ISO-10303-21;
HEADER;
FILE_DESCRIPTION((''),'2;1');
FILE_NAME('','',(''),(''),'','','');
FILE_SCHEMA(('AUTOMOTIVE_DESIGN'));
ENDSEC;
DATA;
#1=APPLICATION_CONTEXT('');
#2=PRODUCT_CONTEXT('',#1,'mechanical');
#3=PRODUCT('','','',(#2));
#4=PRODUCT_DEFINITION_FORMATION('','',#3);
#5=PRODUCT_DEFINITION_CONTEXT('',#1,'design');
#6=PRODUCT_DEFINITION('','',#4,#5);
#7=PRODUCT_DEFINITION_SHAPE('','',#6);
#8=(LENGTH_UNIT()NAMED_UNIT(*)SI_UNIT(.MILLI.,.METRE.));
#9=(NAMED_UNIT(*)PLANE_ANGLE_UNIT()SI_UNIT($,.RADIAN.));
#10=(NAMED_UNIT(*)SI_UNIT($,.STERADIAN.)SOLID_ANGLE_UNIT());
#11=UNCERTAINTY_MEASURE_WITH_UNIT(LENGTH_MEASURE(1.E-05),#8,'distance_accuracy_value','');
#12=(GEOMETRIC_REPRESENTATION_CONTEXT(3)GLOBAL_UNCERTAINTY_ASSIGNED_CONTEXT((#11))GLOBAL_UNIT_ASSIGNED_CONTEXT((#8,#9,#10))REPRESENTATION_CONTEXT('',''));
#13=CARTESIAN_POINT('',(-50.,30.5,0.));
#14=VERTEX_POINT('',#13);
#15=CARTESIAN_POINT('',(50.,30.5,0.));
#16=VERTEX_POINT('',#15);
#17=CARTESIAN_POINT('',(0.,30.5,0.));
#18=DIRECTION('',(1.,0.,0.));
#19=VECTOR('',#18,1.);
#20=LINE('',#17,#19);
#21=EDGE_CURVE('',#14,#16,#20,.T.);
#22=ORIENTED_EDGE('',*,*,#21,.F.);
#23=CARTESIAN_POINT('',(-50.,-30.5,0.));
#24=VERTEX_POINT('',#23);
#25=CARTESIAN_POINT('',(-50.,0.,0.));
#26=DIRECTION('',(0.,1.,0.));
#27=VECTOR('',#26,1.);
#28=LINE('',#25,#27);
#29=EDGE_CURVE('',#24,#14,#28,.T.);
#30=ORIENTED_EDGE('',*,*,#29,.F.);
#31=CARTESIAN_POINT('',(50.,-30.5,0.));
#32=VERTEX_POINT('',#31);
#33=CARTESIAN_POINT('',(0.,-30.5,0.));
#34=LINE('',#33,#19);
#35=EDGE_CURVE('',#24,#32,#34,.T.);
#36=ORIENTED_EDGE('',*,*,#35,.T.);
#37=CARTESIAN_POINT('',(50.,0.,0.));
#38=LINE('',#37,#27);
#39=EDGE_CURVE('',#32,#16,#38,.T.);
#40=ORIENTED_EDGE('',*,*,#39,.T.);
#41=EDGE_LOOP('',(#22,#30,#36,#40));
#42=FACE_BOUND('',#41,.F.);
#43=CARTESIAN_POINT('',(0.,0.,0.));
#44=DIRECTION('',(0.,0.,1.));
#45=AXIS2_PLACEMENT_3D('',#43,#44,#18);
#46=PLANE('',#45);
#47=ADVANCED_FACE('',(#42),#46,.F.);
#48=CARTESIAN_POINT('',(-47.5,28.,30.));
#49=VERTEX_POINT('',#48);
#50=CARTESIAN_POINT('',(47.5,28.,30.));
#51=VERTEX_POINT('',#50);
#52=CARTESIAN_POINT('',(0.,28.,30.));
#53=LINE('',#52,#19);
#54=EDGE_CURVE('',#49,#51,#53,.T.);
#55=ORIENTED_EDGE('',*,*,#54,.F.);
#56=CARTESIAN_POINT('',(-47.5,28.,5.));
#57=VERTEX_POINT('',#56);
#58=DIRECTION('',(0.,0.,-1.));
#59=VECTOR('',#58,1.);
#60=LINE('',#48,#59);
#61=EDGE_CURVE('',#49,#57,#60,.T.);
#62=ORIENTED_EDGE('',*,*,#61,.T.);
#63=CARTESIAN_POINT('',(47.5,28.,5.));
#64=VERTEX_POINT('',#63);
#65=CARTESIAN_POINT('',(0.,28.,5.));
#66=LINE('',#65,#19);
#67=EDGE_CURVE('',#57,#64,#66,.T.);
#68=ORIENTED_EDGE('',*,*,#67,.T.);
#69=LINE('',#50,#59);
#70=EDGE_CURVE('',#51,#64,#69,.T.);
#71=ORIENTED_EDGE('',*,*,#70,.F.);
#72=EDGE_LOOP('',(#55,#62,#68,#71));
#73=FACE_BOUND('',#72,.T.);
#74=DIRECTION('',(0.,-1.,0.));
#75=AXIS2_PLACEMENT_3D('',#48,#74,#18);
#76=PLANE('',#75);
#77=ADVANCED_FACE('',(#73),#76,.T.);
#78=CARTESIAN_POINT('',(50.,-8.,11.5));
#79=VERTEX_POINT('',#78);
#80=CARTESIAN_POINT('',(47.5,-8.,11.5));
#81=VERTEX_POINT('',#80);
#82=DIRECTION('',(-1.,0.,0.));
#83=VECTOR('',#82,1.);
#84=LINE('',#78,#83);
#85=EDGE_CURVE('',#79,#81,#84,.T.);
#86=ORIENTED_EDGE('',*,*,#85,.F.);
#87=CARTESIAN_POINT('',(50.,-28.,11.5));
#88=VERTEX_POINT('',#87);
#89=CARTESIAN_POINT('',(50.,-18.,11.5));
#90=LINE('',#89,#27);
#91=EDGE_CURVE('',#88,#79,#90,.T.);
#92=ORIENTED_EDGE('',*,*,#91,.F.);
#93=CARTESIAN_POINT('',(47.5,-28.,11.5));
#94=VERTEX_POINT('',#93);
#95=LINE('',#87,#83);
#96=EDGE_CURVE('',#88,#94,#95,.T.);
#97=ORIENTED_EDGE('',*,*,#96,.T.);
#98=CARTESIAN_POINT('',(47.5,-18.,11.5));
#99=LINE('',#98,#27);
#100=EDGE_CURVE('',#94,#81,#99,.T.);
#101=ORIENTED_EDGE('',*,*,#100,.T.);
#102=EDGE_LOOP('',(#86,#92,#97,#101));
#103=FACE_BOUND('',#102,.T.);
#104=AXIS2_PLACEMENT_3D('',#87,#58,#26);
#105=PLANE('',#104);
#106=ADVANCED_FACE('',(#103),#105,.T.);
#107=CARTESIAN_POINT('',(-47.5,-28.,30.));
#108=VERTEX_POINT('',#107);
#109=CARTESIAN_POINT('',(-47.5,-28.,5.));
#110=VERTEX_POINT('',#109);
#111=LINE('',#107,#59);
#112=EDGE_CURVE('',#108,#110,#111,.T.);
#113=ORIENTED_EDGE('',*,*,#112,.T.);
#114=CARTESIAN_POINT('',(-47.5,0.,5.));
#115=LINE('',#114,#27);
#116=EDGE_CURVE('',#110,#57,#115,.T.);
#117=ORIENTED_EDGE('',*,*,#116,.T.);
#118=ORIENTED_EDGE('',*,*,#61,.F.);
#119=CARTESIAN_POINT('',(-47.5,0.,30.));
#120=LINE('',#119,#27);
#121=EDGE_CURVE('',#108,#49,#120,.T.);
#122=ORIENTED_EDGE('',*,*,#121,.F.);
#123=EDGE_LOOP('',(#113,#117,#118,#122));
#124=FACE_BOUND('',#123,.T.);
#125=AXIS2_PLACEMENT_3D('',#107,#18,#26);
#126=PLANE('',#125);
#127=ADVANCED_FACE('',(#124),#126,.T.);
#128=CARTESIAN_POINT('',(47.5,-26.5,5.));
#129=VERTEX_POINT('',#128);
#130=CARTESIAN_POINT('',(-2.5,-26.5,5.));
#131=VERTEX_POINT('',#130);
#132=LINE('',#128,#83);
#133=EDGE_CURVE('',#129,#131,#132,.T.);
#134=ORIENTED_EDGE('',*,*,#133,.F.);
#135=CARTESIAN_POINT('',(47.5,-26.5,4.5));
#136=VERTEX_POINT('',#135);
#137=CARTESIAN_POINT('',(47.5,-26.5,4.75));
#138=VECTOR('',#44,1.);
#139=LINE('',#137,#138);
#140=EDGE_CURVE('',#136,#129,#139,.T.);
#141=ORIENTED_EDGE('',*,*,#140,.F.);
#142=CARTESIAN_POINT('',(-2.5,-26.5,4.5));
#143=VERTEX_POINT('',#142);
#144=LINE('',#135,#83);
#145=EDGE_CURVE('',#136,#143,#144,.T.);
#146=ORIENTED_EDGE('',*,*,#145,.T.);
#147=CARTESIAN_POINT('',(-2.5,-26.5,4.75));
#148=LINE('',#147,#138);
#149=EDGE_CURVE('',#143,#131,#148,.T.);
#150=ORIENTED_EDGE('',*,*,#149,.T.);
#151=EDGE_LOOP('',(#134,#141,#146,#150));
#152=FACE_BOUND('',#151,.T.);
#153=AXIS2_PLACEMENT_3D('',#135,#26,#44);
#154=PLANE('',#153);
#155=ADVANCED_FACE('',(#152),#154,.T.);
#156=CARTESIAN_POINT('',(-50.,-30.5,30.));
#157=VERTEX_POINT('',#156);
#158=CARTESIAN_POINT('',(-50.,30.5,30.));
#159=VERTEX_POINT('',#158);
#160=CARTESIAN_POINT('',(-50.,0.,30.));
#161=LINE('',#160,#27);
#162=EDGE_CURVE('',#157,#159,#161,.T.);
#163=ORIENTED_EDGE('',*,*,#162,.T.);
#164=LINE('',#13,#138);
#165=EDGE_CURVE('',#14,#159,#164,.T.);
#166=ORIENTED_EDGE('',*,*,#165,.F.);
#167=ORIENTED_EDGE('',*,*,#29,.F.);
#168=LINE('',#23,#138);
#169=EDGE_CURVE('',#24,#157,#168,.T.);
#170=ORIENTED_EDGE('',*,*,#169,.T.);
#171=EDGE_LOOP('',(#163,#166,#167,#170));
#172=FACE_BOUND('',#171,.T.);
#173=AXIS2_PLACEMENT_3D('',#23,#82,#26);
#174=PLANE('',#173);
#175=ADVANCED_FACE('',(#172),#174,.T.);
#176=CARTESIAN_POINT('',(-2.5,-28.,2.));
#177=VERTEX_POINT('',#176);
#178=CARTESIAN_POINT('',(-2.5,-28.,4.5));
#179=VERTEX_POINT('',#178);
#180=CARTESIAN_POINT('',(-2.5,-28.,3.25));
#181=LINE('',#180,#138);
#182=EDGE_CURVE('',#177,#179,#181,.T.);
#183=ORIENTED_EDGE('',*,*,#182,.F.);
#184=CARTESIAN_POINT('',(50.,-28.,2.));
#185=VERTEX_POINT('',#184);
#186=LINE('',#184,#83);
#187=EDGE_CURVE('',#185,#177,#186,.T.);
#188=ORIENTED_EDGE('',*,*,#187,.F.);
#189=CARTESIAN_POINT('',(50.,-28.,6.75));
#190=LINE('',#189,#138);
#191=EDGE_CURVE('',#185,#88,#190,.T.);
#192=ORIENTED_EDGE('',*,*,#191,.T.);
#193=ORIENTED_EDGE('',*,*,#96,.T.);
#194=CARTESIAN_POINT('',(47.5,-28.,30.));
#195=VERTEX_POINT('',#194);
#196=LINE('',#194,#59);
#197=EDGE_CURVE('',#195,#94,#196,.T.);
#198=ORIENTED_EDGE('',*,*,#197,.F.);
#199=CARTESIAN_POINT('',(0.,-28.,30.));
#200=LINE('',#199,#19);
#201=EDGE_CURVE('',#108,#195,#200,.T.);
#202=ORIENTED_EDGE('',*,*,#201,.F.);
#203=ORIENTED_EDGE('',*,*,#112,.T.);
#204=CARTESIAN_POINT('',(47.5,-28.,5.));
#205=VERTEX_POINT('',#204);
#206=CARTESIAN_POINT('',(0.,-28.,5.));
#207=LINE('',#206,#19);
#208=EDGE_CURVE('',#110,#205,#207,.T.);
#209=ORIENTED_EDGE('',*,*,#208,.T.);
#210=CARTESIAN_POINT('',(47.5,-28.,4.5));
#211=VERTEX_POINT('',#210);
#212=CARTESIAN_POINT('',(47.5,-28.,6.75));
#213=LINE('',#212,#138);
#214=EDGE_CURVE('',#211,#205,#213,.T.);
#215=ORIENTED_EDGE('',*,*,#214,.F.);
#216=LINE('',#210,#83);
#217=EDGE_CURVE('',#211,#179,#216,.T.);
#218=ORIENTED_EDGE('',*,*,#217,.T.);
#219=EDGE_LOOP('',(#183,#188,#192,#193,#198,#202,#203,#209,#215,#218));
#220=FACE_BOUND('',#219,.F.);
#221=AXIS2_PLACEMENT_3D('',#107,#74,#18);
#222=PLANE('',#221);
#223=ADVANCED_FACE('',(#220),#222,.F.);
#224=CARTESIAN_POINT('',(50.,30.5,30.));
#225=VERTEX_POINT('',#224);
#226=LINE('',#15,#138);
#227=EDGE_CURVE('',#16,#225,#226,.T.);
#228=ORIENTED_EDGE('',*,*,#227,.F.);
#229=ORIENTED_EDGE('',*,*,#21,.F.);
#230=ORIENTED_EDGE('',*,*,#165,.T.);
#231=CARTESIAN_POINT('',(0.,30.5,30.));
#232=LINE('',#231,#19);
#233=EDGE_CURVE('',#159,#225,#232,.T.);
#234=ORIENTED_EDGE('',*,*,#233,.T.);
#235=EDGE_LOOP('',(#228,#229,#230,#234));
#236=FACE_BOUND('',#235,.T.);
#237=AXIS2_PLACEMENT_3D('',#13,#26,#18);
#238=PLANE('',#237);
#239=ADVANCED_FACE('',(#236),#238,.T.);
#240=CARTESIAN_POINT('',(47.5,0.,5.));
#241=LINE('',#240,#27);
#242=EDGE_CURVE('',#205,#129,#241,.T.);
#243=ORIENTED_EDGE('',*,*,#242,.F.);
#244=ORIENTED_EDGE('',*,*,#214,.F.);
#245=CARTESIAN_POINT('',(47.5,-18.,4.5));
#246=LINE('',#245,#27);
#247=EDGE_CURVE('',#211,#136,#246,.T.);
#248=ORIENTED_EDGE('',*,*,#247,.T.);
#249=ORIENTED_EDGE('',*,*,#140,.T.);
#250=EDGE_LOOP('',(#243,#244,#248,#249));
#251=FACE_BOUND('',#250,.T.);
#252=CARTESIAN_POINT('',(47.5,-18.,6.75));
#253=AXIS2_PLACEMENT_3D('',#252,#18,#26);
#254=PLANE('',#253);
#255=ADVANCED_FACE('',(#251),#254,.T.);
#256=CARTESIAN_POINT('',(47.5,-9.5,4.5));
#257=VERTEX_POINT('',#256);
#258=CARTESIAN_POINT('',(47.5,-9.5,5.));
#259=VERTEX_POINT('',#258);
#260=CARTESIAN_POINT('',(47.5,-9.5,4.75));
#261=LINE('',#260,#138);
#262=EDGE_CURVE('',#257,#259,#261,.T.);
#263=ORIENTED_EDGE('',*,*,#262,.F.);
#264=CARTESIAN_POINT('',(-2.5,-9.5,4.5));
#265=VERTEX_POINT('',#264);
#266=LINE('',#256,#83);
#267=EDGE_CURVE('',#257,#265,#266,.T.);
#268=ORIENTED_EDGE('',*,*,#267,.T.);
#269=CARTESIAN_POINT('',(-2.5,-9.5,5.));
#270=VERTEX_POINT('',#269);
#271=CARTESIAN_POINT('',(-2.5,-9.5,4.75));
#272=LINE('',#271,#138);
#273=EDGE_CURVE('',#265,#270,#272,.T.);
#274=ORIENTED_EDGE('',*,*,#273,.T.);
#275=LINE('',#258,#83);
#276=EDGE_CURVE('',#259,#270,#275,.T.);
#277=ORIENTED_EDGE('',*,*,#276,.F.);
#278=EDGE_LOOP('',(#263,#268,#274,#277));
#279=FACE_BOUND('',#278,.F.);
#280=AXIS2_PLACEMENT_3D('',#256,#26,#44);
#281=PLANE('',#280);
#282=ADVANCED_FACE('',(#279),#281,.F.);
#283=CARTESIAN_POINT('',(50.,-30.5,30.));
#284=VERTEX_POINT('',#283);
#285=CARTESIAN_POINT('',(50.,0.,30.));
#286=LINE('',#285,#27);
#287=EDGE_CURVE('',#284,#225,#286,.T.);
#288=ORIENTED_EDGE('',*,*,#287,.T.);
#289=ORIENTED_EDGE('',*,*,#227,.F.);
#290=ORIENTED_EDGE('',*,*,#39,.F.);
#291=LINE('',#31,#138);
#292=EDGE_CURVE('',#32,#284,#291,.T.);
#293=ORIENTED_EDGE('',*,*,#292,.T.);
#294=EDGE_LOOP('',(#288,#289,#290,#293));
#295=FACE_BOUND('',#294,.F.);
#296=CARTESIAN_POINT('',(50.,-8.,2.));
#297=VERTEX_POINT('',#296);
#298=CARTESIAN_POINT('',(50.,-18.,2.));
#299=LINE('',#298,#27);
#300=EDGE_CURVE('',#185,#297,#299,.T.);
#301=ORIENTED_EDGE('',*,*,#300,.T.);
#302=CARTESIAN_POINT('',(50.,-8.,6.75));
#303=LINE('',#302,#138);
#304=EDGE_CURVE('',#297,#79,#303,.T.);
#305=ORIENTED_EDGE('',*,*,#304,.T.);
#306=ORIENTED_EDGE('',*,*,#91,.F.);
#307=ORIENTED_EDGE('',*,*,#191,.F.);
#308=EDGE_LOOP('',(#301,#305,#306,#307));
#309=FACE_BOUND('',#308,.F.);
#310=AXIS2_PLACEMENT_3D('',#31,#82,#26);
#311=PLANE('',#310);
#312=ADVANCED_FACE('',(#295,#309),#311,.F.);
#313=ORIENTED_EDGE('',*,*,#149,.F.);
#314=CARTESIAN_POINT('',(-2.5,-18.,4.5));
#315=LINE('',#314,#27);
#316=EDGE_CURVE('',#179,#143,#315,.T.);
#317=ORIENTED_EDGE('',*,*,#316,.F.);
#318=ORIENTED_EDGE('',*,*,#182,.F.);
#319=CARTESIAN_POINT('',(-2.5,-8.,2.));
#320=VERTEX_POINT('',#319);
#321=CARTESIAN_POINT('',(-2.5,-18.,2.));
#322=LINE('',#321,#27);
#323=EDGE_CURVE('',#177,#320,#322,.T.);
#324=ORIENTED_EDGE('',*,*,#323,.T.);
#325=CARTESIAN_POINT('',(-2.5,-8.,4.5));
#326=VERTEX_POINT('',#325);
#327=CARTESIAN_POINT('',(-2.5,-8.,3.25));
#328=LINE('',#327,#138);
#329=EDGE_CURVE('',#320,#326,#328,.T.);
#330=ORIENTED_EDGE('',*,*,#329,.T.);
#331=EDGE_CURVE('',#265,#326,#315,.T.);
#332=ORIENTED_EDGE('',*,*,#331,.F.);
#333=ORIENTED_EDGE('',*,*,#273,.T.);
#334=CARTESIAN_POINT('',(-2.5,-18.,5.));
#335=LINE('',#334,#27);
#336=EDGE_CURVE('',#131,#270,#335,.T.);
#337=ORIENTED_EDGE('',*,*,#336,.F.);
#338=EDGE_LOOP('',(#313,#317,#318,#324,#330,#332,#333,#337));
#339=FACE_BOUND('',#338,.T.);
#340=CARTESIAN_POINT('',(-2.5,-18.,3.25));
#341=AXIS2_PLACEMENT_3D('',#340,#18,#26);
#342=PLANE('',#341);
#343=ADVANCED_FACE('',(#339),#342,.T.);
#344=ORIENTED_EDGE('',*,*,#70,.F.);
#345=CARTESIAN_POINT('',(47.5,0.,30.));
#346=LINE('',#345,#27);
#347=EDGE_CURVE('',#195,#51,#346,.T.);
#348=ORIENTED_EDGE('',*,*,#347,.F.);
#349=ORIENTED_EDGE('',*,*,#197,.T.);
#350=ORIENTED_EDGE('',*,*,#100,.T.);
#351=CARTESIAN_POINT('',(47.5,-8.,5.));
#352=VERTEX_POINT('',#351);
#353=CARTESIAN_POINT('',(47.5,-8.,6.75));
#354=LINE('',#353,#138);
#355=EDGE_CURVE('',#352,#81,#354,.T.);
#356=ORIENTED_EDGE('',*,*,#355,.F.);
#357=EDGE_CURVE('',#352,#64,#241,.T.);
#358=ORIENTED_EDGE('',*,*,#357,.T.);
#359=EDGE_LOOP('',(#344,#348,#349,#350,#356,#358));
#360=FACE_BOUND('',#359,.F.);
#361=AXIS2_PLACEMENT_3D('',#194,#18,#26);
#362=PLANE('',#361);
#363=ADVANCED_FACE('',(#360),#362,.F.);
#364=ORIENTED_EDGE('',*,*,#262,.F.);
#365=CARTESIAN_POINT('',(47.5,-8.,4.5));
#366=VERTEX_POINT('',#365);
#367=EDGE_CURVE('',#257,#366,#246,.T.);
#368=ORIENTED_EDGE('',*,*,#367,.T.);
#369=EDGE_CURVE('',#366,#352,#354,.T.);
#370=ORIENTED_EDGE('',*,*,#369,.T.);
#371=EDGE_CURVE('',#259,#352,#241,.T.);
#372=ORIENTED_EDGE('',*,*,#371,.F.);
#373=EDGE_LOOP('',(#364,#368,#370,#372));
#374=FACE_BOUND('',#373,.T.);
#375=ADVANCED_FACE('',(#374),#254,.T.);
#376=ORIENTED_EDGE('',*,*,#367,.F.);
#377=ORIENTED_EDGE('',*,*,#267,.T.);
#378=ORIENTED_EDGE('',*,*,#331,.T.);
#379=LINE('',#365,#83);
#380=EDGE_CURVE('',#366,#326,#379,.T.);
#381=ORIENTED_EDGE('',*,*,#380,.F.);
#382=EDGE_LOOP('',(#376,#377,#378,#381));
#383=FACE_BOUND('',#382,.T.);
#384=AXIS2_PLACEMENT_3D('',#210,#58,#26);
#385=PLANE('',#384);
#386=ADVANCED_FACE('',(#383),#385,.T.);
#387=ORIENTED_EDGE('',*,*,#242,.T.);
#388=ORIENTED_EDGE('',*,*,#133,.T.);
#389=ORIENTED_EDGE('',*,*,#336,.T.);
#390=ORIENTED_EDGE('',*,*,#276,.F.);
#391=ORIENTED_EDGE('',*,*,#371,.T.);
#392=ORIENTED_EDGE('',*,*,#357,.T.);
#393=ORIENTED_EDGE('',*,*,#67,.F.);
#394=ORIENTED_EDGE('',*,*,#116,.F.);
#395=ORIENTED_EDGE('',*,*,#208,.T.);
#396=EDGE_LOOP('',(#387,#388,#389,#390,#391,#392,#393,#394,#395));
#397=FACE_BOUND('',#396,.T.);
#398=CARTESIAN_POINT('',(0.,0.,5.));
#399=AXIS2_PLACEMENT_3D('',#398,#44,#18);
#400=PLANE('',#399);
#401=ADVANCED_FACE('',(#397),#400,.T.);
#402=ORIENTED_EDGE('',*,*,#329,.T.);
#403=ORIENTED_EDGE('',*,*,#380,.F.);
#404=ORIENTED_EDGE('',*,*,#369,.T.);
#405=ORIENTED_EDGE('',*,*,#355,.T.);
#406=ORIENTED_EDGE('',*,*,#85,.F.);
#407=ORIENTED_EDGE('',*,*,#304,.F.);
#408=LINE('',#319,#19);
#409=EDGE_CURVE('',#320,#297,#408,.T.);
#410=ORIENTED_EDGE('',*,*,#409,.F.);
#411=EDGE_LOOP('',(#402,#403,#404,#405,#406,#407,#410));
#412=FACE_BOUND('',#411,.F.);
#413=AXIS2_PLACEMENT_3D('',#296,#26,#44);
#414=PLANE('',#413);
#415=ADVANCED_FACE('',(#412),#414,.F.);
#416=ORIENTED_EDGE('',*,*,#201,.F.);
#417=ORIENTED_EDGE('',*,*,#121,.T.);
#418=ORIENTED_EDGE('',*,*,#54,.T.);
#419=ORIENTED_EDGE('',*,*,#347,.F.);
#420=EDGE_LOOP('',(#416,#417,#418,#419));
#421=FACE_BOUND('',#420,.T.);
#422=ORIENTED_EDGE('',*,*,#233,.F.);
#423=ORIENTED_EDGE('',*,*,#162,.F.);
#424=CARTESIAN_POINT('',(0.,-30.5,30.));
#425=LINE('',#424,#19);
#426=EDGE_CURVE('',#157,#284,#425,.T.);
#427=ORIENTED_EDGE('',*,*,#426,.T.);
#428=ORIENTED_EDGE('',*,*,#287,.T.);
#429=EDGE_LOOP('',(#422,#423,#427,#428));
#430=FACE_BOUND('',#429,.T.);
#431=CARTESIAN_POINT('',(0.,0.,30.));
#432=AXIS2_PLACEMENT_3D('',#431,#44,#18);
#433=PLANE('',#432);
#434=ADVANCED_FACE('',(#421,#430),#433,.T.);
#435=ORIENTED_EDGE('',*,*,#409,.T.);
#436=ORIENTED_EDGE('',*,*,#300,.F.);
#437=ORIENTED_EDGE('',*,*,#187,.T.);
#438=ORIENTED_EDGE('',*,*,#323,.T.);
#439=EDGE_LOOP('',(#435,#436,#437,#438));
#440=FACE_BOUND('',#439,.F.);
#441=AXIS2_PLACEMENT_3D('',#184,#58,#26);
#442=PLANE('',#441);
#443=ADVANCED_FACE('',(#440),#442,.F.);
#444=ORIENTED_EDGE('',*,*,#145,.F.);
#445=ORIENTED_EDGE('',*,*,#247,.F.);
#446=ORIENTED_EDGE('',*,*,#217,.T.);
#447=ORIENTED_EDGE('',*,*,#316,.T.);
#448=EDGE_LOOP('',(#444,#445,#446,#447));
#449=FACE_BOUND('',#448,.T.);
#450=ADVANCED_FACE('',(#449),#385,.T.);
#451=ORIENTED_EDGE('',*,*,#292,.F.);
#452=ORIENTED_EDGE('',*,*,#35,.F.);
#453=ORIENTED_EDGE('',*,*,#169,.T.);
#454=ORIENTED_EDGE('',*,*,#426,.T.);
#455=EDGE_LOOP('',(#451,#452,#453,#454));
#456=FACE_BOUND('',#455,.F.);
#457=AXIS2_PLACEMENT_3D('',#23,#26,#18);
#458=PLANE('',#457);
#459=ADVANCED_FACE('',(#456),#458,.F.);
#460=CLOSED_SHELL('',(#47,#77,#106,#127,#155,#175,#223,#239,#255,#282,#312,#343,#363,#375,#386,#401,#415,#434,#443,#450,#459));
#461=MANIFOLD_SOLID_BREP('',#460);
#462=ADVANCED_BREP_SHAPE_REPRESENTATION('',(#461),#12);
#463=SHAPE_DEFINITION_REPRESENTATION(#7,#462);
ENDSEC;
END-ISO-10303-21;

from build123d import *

# Parameters (mm, degrees)
SKETCH022_W     = 100
SKETCH022_H     = 61
PAD013_DEPTH    = 30
SKETCH023_W     = 95
SKETCH023_H     = 56
POCKET004_DEPTH = 25
SKETCH024_W     = 20
SKETCH024_H     = 9.5
POCKET005_DEPTH = 2.5
SKETCH025_W     = 20
SKETCH025_H     = 2.5
POCKET006_DEPTH = 50
SKETCH026_W     = 17
SKETCH026_H     = 0.5
POCKET007_DEPTH = 50


with BuildPart() as part:
    # Sketch022 → Pad013 (new body)
    with BuildSketch(Plane.XY):
        Rectangle(SKETCH022_W, SKETCH022_H)
    extrude(amount=PAD013_DEPTH)

    # Sketch023 (on Face6 of Pad013) → Pocket004 (cut)
    with BuildSketch(Plane.XY.offset(30)):
        Rectangle(SKETCH023_W, SKETCH023_H)
    extrude(amount=-POCKET004_DEPTH, mode=Mode.SUBTRACT)

    # Sketch024 (on Face3 of Pocket004) → Pocket005 (cut)
    with BuildSketch(Plane.YZ.offset(50)):
        with Locations((-18, 6.75)):
            Rectangle(SKETCH024_W, SKETCH024_H)
    extrude(amount=-POCKET005_DEPTH, mode=Mode.SUBTRACT)

    # Sketch025 (on Face13 of Pocket005) → Pocket006 (cut)
    with BuildSketch(Plane.YZ.offset(47.5)):
        with Locations((-18, 3.25)):
            Rectangle(SKETCH025_W, SKETCH025_H)
    extrude(amount=-POCKET006_DEPTH, mode=Mode.SUBTRACT)

    # Sketch026 (on Face1 of Pocket006) → Pocket007 (cut)
    with BuildSketch(Plane.YZ.offset(47.5)):
        with Locations((-18, 4.75)):
            Rectangle(SKETCH026_W, SKETCH026_H)
    extrude(amount=-POCKET007_DEPTH, mode=Mode.SUBTRACT)


solid = part.part
